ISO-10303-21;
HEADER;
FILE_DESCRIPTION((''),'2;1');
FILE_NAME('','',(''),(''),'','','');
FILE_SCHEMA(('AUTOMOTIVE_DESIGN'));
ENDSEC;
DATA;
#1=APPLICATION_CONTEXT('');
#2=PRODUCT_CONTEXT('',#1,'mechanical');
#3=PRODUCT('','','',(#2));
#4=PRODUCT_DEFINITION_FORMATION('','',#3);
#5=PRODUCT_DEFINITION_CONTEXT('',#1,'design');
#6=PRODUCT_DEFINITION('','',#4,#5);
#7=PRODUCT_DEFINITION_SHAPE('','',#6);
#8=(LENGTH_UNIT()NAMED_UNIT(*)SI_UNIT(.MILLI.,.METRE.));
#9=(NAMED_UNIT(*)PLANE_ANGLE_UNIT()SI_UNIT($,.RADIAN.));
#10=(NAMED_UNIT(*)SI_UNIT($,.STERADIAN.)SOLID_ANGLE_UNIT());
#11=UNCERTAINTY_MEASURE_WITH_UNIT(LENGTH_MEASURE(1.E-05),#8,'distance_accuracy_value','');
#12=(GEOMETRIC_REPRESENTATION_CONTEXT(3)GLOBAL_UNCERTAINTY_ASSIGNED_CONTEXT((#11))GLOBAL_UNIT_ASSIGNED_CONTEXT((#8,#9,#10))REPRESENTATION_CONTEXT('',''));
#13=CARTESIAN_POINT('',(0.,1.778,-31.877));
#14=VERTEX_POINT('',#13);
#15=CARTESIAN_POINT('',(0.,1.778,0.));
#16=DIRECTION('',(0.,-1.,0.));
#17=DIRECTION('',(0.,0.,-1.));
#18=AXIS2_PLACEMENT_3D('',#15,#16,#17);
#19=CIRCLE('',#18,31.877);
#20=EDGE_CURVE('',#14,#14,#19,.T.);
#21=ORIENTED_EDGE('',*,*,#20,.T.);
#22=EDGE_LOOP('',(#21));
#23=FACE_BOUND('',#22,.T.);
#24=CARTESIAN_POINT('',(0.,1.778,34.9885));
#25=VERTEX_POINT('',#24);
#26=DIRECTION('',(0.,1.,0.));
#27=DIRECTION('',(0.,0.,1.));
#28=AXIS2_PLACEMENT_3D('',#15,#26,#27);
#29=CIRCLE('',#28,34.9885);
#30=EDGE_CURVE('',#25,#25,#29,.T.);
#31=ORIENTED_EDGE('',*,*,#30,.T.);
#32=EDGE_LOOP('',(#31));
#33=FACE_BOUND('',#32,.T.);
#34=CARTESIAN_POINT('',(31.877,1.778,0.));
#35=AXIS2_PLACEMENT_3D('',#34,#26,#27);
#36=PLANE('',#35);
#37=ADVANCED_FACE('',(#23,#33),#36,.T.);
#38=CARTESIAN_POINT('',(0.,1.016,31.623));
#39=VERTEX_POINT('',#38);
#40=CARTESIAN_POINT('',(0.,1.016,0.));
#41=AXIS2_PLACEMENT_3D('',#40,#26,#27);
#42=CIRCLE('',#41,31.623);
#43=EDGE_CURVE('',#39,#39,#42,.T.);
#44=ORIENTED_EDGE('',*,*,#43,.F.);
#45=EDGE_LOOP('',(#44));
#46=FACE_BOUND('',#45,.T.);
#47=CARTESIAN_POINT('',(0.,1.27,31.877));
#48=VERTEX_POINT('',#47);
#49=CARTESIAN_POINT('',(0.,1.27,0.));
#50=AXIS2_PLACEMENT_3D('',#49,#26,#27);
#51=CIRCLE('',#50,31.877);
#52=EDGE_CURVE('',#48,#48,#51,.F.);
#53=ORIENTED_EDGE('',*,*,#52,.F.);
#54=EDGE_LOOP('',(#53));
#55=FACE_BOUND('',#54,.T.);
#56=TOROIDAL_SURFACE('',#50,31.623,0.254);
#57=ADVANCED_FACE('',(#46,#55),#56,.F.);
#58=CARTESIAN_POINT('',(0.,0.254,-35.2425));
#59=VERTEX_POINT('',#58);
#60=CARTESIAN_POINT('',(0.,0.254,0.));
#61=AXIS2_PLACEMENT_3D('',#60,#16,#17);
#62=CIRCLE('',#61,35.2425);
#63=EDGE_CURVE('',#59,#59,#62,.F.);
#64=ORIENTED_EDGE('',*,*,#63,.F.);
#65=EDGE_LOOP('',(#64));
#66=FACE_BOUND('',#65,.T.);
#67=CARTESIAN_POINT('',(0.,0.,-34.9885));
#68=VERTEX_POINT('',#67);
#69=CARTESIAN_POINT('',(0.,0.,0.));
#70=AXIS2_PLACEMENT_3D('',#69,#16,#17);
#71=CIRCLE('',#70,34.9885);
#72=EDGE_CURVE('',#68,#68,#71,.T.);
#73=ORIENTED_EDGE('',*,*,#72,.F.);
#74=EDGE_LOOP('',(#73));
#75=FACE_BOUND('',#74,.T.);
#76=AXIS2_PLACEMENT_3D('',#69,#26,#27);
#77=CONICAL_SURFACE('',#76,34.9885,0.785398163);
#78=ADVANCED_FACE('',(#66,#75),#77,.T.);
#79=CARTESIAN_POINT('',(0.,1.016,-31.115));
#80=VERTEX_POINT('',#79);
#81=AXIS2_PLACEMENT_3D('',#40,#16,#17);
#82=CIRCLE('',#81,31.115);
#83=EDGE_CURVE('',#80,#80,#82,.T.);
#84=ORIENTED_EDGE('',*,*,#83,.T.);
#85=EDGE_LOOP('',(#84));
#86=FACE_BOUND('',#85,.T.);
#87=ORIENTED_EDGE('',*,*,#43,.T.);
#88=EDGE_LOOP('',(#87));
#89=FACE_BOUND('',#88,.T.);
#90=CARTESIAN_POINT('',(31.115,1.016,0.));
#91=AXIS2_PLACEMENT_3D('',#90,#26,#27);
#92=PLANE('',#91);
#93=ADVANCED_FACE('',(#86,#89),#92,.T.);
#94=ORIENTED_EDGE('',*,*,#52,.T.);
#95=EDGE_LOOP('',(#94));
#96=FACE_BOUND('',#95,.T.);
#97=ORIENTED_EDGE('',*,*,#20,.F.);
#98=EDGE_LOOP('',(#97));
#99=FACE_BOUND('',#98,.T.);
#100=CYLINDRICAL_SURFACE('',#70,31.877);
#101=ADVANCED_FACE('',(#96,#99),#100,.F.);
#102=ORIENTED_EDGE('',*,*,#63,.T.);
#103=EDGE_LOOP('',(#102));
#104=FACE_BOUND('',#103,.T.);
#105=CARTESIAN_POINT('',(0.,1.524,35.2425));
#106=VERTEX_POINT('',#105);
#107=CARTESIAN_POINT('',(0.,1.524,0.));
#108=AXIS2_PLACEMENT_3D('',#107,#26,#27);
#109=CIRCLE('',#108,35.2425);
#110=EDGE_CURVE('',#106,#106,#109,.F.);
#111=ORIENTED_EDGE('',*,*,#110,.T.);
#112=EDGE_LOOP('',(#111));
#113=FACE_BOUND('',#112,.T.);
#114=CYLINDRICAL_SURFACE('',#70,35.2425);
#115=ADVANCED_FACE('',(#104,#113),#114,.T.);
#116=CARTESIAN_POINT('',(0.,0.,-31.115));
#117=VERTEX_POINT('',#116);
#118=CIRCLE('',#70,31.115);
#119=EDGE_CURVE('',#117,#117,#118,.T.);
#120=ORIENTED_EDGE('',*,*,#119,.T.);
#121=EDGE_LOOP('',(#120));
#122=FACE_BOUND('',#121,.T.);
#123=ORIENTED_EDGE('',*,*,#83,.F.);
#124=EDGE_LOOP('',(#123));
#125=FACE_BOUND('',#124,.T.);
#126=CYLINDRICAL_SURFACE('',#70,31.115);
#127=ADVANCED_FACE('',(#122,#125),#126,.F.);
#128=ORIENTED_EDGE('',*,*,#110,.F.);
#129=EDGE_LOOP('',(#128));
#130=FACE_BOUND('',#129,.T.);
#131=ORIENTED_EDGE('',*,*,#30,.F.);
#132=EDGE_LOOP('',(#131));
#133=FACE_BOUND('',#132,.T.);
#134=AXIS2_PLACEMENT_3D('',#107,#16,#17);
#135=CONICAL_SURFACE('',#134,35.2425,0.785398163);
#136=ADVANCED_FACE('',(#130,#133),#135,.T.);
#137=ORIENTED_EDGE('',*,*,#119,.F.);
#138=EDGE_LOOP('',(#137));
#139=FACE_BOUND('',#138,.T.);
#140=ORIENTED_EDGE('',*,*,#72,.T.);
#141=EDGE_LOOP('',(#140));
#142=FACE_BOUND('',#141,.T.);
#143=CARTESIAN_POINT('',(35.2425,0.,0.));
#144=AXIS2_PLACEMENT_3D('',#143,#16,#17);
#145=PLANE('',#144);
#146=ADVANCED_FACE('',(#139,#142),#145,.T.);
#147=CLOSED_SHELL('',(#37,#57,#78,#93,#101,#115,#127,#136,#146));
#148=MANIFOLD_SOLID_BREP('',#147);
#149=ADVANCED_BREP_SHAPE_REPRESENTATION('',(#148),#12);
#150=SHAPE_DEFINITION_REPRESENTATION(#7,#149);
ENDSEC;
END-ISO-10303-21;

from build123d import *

# Parameters (mm, degrees)
OUTER_CHAMFER_SIZE = 0.254
INNER_FILLET_R     = 0.254


with BuildPart() as part:
    # Primary Sketch → Primary Revolve (revolve)
    with BuildSketch(Plane.XY, mode=Mode.PRIVATE) as primary_revolve_sk:
        Polygon((31.115, 0), (31.115, 1.016), (31.877, 1.016), (31.877, 1.778), (35.2425, 1.778), (35.2425, 0), align=None)
    revolve(primary_revolve_sk.sketch.rotate(Axis((0, 0, 0), (0, 1, 0)), 90), axis=Axis((0, 0, 0), (0, 1, 0)))

    # Outer Chamfer
    outer_chamfer_edges = [part.edges().sort_by_distance(p)[0] for p in [
        (0, 0, 35.2425),
        (0, 1.778, 35.2425),
    ]]
    chamfer(outer_chamfer_edges, length=OUTER_CHAMFER_SIZE)

    # Inner Fillet
    inner_fillet_edges = [part.edges().sort_by_distance(p)[0] for p in [
        (0, 1.016, 31.877),
    ]]
    fillet(inner_fillet_edges, radius=INNER_FILLET_R)


solid = part.part
